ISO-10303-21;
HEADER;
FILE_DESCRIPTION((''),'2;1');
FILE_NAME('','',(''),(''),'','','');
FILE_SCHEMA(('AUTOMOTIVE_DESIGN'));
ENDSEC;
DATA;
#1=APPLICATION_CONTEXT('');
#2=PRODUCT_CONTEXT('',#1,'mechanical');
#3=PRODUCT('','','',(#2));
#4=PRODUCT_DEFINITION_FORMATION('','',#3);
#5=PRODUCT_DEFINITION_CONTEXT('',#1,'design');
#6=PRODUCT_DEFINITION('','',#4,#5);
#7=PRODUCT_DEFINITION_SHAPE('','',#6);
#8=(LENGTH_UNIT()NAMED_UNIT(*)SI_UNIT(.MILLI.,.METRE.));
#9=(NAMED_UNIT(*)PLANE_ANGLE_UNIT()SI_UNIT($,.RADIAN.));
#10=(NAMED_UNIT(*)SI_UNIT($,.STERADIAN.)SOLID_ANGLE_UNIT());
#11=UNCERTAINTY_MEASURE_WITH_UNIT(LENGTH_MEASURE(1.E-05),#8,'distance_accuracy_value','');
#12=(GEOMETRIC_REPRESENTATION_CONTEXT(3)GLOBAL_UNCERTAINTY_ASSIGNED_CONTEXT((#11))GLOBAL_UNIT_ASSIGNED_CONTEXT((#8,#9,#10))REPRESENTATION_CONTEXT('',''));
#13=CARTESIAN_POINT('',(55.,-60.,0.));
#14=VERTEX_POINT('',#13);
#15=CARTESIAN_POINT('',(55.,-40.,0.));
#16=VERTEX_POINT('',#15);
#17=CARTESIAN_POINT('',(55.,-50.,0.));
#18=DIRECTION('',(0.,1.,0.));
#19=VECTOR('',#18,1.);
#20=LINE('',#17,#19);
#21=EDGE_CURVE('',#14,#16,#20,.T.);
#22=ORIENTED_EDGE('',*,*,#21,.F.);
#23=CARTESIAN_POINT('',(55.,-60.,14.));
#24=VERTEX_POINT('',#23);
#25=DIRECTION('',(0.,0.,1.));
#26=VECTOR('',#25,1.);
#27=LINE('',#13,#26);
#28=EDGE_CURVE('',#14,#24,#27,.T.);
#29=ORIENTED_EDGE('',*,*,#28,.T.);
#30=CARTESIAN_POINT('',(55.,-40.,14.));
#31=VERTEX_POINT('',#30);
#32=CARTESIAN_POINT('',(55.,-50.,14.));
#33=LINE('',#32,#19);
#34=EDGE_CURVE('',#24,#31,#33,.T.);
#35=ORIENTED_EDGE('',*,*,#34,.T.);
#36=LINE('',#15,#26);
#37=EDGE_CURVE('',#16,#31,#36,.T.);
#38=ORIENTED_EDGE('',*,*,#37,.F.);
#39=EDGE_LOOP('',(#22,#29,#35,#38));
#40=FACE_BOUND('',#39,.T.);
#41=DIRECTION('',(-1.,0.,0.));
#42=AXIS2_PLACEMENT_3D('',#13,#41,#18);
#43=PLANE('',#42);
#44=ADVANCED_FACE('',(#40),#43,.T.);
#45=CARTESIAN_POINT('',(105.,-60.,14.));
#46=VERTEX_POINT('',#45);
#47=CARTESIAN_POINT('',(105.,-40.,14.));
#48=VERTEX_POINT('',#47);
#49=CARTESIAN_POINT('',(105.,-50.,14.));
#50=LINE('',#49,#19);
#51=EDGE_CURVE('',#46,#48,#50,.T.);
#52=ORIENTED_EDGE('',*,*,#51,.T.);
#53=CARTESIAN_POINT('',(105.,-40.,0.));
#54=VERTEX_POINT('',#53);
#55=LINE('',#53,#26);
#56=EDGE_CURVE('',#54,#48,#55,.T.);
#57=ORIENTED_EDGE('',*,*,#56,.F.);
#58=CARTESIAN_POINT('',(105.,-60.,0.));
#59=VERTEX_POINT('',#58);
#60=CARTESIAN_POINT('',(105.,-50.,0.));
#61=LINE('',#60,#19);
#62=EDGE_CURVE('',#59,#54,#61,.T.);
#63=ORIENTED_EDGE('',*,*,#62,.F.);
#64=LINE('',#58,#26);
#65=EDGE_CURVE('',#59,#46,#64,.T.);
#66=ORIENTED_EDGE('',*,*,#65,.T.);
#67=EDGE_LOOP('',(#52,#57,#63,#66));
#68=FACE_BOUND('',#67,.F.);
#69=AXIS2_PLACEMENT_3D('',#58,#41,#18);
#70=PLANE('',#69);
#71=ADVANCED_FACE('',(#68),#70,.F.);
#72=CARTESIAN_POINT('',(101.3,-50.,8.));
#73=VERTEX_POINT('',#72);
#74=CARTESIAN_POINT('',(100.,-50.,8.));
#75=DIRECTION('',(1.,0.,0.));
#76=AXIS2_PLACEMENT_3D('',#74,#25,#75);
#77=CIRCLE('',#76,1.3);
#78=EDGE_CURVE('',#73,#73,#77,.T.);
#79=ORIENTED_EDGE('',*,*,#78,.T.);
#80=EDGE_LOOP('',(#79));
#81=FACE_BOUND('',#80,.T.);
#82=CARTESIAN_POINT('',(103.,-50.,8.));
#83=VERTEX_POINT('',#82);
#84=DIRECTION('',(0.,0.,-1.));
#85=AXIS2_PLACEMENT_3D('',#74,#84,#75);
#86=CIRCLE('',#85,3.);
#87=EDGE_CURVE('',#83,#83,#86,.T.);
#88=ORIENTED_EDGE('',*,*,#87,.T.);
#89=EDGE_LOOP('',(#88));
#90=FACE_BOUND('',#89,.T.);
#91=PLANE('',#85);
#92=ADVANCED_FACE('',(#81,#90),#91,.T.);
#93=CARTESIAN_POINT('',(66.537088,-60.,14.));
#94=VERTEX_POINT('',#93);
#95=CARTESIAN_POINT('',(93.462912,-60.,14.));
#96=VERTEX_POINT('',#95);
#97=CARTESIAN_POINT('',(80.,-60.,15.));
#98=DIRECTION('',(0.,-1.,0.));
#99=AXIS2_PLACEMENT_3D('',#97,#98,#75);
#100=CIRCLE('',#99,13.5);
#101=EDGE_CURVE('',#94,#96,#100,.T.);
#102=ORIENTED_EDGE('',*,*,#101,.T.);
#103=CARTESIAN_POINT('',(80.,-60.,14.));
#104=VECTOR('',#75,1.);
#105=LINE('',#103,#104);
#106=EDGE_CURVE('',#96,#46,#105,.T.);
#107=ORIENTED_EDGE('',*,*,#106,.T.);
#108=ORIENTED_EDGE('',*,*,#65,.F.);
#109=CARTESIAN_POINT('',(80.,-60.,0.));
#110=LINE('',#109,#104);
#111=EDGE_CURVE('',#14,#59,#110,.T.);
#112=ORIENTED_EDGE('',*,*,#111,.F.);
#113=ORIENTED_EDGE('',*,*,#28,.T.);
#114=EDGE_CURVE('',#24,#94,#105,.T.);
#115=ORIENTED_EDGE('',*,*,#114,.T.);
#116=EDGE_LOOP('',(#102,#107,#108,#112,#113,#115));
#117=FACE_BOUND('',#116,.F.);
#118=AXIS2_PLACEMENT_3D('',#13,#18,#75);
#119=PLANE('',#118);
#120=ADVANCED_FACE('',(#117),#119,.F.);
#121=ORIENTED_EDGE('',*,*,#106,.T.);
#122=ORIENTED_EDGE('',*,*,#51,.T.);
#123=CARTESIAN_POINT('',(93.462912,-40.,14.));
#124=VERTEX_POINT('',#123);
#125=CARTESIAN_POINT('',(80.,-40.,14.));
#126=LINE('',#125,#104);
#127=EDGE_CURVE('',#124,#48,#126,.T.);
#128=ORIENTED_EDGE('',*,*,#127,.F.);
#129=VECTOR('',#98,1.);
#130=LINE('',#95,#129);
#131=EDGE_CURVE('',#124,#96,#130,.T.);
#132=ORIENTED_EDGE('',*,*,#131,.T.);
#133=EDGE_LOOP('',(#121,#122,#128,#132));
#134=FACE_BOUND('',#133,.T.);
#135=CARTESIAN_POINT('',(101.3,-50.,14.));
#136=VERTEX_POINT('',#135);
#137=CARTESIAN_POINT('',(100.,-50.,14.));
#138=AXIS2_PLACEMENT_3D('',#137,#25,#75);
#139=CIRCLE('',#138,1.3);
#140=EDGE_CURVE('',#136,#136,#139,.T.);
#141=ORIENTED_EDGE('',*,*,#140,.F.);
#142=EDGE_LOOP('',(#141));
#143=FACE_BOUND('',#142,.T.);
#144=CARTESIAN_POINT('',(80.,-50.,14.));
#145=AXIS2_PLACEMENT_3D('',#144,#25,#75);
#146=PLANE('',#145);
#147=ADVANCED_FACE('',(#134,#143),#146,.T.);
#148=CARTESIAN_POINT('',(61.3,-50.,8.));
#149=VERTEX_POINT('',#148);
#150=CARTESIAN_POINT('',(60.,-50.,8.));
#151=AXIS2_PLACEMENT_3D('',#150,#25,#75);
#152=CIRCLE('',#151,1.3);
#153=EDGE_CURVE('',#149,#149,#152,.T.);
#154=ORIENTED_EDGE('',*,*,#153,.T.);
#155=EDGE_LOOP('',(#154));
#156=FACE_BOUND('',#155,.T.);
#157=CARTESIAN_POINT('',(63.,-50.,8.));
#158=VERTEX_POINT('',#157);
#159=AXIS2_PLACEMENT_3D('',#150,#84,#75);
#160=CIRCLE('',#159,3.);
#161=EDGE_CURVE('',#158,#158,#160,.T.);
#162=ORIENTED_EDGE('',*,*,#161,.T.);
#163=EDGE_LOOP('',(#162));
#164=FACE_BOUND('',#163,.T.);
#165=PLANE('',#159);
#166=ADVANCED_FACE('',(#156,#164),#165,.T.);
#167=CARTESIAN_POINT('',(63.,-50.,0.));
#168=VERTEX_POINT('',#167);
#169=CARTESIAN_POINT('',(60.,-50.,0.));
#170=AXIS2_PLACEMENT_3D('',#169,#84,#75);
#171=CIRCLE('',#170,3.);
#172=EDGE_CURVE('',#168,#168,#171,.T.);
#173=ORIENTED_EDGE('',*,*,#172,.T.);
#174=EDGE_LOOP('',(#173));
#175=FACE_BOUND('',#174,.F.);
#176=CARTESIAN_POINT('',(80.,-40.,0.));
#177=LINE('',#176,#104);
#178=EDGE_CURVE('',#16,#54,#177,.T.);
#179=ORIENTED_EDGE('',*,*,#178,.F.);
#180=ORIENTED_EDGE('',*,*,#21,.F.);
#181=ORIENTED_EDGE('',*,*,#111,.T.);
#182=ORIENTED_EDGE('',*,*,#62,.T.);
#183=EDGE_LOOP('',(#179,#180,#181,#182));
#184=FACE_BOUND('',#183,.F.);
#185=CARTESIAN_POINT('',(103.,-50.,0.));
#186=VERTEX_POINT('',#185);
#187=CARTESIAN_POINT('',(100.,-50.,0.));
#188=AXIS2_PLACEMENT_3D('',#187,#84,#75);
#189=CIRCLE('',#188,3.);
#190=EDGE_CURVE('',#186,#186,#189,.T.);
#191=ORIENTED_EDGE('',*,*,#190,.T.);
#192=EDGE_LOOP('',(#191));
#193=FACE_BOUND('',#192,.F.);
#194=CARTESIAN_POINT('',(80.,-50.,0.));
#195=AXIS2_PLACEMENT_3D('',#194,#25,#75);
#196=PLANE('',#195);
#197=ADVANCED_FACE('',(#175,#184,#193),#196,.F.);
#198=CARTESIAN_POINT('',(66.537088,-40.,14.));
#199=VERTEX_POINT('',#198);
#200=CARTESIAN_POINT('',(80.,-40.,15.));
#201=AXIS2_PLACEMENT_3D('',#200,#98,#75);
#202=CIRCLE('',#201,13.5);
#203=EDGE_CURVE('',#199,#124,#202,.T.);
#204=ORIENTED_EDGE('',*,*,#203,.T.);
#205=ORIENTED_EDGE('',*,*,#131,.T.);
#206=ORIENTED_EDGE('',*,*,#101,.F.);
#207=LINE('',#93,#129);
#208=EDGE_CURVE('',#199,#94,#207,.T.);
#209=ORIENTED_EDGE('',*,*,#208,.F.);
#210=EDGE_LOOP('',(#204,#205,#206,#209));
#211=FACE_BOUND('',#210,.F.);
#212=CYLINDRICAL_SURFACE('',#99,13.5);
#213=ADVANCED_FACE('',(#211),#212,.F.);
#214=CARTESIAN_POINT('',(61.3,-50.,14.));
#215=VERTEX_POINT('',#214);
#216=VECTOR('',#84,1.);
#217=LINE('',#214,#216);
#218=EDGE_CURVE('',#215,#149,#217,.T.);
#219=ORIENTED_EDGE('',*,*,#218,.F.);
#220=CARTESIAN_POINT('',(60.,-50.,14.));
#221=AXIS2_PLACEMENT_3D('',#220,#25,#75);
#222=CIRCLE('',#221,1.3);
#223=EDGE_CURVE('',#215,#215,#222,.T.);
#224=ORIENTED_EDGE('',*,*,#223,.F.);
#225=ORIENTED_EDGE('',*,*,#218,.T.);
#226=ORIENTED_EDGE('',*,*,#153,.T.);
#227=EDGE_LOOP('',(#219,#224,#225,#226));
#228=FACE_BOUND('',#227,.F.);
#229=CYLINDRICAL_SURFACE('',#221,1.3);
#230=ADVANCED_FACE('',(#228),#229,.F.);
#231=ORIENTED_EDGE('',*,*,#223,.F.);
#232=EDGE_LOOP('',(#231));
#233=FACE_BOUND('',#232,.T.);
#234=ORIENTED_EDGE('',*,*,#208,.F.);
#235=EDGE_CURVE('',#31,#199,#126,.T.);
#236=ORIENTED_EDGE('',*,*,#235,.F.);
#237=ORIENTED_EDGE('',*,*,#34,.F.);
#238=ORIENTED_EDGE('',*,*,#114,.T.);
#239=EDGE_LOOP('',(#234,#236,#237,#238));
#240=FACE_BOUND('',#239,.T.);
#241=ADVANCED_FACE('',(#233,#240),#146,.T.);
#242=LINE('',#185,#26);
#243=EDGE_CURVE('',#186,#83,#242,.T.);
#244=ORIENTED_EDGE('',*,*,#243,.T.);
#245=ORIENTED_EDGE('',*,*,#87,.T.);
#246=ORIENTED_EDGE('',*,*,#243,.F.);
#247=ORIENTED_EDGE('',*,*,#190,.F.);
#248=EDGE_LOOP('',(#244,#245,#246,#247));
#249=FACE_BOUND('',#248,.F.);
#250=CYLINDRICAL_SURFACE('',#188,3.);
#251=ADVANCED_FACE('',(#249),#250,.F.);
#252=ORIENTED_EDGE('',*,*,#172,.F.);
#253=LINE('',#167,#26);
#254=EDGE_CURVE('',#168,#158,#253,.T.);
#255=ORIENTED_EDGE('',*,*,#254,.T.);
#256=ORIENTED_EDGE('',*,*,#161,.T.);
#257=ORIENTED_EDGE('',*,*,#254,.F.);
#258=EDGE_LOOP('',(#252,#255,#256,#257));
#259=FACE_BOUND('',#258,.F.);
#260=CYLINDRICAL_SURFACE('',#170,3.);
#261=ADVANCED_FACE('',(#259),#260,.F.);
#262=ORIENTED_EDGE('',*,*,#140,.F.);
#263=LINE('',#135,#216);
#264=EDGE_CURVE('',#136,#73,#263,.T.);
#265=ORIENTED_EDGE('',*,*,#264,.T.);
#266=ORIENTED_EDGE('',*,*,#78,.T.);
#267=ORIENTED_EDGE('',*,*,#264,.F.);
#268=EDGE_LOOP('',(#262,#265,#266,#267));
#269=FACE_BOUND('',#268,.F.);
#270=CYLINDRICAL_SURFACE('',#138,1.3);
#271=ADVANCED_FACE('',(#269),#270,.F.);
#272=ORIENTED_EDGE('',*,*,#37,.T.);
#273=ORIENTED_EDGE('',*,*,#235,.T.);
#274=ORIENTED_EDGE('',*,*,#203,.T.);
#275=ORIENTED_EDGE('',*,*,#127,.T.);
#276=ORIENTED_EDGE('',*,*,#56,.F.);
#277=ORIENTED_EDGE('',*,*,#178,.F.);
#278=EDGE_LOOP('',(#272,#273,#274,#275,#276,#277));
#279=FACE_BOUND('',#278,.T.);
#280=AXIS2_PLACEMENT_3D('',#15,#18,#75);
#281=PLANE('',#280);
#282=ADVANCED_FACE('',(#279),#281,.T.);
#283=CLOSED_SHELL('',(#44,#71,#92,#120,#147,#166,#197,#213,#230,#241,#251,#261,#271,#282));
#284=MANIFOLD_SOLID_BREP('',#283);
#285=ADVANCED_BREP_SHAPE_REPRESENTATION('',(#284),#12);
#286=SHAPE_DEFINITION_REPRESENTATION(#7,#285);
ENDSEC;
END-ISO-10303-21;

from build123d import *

# Parameters (mm, degrees)
SKETCH003_W     = 50
SKETCH003_H     = 20
PAD001_DEPTH    = 14
SKETCH004_R     = 13.5
POCKET002_DEPTH = 20.001
SKETCH005_R     = 1.3
POCKET003_DEPTH = 14.001
SKETCH017_R     = 3
POCKET012_DEPTH = 8


with BuildPart() as part:
    # Sketch003 → Pad001 (new body)
    with BuildSketch(Plane.XY):
        Rectangle(SKETCH003_W, SKETCH003_H)
    extrude(amount=PAD001_DEPTH)

    # Sketch004 (on Face3 of Pad001) → Pocket002 (cut, through all)
    with BuildSketch(Plane.XZ.offset(10)):
        with Locations((0, 15)):
            Circle(SKETCH004_R)
    extrude(amount=-POCKET002_DEPTH, mode=Mode.SUBTRACT)

    # Sketch005 (on Face6 of Pocket002) → Pocket003 (cut, through all)
    with BuildSketch(Plane.XY.offset(14)):
        with Locations((-20, 0)):
            Circle(SKETCH005_R)
        with Locations((20, 0)):
            Circle(SKETCH005_R)
    extrude(amount=-POCKET003_DEPTH, mode=Mode.SUBTRACT)

    # Sketch017 (on Face2 of Pocket003) → Pocket012 (cut)
    with BuildSketch(Plane(origin=(0, 0, 0), x_dir=(1, 0, 0), z_dir=(0, 0, -1))):
        with Locations((-20, 0)):
            Circle(SKETCH017_R)
        with Locations((20, 0)):
            Circle(SKETCH017_R)
    extrude(amount=-POCKET012_DEPTH, mode=Mode.SUBTRACT)


with BuildPart() as part_1:
    # Body001 placement: moved
    add(part.part.moved(Location((80, -50, 0))))


solid = part_1.part
